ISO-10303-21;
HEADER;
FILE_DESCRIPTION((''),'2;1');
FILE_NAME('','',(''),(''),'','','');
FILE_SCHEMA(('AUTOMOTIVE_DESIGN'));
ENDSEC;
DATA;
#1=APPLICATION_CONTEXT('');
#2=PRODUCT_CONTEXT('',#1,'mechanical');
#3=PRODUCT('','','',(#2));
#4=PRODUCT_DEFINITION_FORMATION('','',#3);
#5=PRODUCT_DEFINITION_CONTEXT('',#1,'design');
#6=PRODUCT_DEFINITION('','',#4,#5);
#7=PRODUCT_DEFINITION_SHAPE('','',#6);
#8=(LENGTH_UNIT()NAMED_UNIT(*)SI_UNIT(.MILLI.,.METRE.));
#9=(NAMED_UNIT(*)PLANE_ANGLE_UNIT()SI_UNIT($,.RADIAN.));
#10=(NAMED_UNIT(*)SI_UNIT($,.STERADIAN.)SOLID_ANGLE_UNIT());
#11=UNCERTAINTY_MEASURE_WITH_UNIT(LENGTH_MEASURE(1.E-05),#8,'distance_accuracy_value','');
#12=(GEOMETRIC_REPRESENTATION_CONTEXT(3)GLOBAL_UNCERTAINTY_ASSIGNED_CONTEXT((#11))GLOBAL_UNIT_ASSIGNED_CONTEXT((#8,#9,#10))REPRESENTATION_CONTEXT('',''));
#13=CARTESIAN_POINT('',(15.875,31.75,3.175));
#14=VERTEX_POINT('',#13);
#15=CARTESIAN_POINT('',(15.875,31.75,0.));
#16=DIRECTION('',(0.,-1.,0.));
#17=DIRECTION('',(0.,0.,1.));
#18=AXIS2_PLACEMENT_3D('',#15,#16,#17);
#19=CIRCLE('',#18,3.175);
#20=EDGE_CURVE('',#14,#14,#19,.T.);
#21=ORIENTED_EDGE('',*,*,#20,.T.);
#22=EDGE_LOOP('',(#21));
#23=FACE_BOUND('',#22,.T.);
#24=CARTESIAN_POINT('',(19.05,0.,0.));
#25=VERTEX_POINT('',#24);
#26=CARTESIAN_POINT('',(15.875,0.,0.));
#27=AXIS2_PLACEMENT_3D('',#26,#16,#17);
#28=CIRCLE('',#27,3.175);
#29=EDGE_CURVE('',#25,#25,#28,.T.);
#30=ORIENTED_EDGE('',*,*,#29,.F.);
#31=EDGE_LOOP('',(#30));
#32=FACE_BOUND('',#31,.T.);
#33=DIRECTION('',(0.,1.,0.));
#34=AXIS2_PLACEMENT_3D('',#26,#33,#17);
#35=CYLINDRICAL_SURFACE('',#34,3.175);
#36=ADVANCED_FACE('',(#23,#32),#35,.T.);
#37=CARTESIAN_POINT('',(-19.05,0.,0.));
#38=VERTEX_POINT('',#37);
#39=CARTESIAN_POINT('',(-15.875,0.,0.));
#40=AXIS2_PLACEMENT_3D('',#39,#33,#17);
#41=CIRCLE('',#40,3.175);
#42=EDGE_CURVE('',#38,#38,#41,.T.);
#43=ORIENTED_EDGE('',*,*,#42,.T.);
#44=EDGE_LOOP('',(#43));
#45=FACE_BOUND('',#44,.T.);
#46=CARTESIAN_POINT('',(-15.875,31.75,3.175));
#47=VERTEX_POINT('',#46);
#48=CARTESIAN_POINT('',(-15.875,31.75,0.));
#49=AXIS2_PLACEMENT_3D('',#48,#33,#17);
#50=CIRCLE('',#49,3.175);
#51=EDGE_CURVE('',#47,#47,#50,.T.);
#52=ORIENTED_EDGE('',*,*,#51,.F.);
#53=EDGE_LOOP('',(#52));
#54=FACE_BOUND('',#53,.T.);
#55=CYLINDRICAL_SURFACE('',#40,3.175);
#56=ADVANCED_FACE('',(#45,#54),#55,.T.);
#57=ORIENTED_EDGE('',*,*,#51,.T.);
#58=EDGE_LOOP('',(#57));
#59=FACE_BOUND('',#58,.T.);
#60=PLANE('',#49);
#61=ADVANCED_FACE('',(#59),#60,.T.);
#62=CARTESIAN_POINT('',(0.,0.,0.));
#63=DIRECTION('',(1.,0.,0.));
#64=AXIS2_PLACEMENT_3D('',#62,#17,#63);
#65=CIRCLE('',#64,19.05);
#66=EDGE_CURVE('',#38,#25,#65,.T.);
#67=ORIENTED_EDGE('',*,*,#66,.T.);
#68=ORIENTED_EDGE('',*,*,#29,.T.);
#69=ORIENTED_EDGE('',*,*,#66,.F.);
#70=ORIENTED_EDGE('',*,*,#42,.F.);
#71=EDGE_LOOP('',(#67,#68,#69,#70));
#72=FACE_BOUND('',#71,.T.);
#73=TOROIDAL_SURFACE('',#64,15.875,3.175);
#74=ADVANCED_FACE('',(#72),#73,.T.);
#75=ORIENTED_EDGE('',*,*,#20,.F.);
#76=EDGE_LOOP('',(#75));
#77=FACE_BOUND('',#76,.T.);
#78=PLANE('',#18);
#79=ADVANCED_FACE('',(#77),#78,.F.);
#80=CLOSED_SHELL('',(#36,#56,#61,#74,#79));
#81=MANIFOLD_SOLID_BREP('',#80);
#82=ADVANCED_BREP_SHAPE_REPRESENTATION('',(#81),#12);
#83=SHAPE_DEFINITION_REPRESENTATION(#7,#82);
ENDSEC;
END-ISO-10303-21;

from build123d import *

# Parameters (mm, degrees)
SKETCH2_R = 3.175


with BuildPart() as part:
    # Sweep1: sweep along a path in Sketch1
    with BuildLine(Plane.XY) as sweep1_path:
        Line((-12.7, 31.75), (-12.7, 0))
        ThreePointArc((-12.7, 0), (0, -12.7), (12.7, 0))
        Line((12.7, 0), (12.7, 31.75))
    # Sketch2 → Sweep1 (sweep)
    with BuildSketch(Plane(origin=(0, 31.75, 0), x_dir=(1, 0, 0), z_dir=(0, 1, 0))):
        with Locations((-15.875, 0)):
            Circle(SKETCH2_R)
    sweep(path=sweep1_path.line)


solid = part.part
